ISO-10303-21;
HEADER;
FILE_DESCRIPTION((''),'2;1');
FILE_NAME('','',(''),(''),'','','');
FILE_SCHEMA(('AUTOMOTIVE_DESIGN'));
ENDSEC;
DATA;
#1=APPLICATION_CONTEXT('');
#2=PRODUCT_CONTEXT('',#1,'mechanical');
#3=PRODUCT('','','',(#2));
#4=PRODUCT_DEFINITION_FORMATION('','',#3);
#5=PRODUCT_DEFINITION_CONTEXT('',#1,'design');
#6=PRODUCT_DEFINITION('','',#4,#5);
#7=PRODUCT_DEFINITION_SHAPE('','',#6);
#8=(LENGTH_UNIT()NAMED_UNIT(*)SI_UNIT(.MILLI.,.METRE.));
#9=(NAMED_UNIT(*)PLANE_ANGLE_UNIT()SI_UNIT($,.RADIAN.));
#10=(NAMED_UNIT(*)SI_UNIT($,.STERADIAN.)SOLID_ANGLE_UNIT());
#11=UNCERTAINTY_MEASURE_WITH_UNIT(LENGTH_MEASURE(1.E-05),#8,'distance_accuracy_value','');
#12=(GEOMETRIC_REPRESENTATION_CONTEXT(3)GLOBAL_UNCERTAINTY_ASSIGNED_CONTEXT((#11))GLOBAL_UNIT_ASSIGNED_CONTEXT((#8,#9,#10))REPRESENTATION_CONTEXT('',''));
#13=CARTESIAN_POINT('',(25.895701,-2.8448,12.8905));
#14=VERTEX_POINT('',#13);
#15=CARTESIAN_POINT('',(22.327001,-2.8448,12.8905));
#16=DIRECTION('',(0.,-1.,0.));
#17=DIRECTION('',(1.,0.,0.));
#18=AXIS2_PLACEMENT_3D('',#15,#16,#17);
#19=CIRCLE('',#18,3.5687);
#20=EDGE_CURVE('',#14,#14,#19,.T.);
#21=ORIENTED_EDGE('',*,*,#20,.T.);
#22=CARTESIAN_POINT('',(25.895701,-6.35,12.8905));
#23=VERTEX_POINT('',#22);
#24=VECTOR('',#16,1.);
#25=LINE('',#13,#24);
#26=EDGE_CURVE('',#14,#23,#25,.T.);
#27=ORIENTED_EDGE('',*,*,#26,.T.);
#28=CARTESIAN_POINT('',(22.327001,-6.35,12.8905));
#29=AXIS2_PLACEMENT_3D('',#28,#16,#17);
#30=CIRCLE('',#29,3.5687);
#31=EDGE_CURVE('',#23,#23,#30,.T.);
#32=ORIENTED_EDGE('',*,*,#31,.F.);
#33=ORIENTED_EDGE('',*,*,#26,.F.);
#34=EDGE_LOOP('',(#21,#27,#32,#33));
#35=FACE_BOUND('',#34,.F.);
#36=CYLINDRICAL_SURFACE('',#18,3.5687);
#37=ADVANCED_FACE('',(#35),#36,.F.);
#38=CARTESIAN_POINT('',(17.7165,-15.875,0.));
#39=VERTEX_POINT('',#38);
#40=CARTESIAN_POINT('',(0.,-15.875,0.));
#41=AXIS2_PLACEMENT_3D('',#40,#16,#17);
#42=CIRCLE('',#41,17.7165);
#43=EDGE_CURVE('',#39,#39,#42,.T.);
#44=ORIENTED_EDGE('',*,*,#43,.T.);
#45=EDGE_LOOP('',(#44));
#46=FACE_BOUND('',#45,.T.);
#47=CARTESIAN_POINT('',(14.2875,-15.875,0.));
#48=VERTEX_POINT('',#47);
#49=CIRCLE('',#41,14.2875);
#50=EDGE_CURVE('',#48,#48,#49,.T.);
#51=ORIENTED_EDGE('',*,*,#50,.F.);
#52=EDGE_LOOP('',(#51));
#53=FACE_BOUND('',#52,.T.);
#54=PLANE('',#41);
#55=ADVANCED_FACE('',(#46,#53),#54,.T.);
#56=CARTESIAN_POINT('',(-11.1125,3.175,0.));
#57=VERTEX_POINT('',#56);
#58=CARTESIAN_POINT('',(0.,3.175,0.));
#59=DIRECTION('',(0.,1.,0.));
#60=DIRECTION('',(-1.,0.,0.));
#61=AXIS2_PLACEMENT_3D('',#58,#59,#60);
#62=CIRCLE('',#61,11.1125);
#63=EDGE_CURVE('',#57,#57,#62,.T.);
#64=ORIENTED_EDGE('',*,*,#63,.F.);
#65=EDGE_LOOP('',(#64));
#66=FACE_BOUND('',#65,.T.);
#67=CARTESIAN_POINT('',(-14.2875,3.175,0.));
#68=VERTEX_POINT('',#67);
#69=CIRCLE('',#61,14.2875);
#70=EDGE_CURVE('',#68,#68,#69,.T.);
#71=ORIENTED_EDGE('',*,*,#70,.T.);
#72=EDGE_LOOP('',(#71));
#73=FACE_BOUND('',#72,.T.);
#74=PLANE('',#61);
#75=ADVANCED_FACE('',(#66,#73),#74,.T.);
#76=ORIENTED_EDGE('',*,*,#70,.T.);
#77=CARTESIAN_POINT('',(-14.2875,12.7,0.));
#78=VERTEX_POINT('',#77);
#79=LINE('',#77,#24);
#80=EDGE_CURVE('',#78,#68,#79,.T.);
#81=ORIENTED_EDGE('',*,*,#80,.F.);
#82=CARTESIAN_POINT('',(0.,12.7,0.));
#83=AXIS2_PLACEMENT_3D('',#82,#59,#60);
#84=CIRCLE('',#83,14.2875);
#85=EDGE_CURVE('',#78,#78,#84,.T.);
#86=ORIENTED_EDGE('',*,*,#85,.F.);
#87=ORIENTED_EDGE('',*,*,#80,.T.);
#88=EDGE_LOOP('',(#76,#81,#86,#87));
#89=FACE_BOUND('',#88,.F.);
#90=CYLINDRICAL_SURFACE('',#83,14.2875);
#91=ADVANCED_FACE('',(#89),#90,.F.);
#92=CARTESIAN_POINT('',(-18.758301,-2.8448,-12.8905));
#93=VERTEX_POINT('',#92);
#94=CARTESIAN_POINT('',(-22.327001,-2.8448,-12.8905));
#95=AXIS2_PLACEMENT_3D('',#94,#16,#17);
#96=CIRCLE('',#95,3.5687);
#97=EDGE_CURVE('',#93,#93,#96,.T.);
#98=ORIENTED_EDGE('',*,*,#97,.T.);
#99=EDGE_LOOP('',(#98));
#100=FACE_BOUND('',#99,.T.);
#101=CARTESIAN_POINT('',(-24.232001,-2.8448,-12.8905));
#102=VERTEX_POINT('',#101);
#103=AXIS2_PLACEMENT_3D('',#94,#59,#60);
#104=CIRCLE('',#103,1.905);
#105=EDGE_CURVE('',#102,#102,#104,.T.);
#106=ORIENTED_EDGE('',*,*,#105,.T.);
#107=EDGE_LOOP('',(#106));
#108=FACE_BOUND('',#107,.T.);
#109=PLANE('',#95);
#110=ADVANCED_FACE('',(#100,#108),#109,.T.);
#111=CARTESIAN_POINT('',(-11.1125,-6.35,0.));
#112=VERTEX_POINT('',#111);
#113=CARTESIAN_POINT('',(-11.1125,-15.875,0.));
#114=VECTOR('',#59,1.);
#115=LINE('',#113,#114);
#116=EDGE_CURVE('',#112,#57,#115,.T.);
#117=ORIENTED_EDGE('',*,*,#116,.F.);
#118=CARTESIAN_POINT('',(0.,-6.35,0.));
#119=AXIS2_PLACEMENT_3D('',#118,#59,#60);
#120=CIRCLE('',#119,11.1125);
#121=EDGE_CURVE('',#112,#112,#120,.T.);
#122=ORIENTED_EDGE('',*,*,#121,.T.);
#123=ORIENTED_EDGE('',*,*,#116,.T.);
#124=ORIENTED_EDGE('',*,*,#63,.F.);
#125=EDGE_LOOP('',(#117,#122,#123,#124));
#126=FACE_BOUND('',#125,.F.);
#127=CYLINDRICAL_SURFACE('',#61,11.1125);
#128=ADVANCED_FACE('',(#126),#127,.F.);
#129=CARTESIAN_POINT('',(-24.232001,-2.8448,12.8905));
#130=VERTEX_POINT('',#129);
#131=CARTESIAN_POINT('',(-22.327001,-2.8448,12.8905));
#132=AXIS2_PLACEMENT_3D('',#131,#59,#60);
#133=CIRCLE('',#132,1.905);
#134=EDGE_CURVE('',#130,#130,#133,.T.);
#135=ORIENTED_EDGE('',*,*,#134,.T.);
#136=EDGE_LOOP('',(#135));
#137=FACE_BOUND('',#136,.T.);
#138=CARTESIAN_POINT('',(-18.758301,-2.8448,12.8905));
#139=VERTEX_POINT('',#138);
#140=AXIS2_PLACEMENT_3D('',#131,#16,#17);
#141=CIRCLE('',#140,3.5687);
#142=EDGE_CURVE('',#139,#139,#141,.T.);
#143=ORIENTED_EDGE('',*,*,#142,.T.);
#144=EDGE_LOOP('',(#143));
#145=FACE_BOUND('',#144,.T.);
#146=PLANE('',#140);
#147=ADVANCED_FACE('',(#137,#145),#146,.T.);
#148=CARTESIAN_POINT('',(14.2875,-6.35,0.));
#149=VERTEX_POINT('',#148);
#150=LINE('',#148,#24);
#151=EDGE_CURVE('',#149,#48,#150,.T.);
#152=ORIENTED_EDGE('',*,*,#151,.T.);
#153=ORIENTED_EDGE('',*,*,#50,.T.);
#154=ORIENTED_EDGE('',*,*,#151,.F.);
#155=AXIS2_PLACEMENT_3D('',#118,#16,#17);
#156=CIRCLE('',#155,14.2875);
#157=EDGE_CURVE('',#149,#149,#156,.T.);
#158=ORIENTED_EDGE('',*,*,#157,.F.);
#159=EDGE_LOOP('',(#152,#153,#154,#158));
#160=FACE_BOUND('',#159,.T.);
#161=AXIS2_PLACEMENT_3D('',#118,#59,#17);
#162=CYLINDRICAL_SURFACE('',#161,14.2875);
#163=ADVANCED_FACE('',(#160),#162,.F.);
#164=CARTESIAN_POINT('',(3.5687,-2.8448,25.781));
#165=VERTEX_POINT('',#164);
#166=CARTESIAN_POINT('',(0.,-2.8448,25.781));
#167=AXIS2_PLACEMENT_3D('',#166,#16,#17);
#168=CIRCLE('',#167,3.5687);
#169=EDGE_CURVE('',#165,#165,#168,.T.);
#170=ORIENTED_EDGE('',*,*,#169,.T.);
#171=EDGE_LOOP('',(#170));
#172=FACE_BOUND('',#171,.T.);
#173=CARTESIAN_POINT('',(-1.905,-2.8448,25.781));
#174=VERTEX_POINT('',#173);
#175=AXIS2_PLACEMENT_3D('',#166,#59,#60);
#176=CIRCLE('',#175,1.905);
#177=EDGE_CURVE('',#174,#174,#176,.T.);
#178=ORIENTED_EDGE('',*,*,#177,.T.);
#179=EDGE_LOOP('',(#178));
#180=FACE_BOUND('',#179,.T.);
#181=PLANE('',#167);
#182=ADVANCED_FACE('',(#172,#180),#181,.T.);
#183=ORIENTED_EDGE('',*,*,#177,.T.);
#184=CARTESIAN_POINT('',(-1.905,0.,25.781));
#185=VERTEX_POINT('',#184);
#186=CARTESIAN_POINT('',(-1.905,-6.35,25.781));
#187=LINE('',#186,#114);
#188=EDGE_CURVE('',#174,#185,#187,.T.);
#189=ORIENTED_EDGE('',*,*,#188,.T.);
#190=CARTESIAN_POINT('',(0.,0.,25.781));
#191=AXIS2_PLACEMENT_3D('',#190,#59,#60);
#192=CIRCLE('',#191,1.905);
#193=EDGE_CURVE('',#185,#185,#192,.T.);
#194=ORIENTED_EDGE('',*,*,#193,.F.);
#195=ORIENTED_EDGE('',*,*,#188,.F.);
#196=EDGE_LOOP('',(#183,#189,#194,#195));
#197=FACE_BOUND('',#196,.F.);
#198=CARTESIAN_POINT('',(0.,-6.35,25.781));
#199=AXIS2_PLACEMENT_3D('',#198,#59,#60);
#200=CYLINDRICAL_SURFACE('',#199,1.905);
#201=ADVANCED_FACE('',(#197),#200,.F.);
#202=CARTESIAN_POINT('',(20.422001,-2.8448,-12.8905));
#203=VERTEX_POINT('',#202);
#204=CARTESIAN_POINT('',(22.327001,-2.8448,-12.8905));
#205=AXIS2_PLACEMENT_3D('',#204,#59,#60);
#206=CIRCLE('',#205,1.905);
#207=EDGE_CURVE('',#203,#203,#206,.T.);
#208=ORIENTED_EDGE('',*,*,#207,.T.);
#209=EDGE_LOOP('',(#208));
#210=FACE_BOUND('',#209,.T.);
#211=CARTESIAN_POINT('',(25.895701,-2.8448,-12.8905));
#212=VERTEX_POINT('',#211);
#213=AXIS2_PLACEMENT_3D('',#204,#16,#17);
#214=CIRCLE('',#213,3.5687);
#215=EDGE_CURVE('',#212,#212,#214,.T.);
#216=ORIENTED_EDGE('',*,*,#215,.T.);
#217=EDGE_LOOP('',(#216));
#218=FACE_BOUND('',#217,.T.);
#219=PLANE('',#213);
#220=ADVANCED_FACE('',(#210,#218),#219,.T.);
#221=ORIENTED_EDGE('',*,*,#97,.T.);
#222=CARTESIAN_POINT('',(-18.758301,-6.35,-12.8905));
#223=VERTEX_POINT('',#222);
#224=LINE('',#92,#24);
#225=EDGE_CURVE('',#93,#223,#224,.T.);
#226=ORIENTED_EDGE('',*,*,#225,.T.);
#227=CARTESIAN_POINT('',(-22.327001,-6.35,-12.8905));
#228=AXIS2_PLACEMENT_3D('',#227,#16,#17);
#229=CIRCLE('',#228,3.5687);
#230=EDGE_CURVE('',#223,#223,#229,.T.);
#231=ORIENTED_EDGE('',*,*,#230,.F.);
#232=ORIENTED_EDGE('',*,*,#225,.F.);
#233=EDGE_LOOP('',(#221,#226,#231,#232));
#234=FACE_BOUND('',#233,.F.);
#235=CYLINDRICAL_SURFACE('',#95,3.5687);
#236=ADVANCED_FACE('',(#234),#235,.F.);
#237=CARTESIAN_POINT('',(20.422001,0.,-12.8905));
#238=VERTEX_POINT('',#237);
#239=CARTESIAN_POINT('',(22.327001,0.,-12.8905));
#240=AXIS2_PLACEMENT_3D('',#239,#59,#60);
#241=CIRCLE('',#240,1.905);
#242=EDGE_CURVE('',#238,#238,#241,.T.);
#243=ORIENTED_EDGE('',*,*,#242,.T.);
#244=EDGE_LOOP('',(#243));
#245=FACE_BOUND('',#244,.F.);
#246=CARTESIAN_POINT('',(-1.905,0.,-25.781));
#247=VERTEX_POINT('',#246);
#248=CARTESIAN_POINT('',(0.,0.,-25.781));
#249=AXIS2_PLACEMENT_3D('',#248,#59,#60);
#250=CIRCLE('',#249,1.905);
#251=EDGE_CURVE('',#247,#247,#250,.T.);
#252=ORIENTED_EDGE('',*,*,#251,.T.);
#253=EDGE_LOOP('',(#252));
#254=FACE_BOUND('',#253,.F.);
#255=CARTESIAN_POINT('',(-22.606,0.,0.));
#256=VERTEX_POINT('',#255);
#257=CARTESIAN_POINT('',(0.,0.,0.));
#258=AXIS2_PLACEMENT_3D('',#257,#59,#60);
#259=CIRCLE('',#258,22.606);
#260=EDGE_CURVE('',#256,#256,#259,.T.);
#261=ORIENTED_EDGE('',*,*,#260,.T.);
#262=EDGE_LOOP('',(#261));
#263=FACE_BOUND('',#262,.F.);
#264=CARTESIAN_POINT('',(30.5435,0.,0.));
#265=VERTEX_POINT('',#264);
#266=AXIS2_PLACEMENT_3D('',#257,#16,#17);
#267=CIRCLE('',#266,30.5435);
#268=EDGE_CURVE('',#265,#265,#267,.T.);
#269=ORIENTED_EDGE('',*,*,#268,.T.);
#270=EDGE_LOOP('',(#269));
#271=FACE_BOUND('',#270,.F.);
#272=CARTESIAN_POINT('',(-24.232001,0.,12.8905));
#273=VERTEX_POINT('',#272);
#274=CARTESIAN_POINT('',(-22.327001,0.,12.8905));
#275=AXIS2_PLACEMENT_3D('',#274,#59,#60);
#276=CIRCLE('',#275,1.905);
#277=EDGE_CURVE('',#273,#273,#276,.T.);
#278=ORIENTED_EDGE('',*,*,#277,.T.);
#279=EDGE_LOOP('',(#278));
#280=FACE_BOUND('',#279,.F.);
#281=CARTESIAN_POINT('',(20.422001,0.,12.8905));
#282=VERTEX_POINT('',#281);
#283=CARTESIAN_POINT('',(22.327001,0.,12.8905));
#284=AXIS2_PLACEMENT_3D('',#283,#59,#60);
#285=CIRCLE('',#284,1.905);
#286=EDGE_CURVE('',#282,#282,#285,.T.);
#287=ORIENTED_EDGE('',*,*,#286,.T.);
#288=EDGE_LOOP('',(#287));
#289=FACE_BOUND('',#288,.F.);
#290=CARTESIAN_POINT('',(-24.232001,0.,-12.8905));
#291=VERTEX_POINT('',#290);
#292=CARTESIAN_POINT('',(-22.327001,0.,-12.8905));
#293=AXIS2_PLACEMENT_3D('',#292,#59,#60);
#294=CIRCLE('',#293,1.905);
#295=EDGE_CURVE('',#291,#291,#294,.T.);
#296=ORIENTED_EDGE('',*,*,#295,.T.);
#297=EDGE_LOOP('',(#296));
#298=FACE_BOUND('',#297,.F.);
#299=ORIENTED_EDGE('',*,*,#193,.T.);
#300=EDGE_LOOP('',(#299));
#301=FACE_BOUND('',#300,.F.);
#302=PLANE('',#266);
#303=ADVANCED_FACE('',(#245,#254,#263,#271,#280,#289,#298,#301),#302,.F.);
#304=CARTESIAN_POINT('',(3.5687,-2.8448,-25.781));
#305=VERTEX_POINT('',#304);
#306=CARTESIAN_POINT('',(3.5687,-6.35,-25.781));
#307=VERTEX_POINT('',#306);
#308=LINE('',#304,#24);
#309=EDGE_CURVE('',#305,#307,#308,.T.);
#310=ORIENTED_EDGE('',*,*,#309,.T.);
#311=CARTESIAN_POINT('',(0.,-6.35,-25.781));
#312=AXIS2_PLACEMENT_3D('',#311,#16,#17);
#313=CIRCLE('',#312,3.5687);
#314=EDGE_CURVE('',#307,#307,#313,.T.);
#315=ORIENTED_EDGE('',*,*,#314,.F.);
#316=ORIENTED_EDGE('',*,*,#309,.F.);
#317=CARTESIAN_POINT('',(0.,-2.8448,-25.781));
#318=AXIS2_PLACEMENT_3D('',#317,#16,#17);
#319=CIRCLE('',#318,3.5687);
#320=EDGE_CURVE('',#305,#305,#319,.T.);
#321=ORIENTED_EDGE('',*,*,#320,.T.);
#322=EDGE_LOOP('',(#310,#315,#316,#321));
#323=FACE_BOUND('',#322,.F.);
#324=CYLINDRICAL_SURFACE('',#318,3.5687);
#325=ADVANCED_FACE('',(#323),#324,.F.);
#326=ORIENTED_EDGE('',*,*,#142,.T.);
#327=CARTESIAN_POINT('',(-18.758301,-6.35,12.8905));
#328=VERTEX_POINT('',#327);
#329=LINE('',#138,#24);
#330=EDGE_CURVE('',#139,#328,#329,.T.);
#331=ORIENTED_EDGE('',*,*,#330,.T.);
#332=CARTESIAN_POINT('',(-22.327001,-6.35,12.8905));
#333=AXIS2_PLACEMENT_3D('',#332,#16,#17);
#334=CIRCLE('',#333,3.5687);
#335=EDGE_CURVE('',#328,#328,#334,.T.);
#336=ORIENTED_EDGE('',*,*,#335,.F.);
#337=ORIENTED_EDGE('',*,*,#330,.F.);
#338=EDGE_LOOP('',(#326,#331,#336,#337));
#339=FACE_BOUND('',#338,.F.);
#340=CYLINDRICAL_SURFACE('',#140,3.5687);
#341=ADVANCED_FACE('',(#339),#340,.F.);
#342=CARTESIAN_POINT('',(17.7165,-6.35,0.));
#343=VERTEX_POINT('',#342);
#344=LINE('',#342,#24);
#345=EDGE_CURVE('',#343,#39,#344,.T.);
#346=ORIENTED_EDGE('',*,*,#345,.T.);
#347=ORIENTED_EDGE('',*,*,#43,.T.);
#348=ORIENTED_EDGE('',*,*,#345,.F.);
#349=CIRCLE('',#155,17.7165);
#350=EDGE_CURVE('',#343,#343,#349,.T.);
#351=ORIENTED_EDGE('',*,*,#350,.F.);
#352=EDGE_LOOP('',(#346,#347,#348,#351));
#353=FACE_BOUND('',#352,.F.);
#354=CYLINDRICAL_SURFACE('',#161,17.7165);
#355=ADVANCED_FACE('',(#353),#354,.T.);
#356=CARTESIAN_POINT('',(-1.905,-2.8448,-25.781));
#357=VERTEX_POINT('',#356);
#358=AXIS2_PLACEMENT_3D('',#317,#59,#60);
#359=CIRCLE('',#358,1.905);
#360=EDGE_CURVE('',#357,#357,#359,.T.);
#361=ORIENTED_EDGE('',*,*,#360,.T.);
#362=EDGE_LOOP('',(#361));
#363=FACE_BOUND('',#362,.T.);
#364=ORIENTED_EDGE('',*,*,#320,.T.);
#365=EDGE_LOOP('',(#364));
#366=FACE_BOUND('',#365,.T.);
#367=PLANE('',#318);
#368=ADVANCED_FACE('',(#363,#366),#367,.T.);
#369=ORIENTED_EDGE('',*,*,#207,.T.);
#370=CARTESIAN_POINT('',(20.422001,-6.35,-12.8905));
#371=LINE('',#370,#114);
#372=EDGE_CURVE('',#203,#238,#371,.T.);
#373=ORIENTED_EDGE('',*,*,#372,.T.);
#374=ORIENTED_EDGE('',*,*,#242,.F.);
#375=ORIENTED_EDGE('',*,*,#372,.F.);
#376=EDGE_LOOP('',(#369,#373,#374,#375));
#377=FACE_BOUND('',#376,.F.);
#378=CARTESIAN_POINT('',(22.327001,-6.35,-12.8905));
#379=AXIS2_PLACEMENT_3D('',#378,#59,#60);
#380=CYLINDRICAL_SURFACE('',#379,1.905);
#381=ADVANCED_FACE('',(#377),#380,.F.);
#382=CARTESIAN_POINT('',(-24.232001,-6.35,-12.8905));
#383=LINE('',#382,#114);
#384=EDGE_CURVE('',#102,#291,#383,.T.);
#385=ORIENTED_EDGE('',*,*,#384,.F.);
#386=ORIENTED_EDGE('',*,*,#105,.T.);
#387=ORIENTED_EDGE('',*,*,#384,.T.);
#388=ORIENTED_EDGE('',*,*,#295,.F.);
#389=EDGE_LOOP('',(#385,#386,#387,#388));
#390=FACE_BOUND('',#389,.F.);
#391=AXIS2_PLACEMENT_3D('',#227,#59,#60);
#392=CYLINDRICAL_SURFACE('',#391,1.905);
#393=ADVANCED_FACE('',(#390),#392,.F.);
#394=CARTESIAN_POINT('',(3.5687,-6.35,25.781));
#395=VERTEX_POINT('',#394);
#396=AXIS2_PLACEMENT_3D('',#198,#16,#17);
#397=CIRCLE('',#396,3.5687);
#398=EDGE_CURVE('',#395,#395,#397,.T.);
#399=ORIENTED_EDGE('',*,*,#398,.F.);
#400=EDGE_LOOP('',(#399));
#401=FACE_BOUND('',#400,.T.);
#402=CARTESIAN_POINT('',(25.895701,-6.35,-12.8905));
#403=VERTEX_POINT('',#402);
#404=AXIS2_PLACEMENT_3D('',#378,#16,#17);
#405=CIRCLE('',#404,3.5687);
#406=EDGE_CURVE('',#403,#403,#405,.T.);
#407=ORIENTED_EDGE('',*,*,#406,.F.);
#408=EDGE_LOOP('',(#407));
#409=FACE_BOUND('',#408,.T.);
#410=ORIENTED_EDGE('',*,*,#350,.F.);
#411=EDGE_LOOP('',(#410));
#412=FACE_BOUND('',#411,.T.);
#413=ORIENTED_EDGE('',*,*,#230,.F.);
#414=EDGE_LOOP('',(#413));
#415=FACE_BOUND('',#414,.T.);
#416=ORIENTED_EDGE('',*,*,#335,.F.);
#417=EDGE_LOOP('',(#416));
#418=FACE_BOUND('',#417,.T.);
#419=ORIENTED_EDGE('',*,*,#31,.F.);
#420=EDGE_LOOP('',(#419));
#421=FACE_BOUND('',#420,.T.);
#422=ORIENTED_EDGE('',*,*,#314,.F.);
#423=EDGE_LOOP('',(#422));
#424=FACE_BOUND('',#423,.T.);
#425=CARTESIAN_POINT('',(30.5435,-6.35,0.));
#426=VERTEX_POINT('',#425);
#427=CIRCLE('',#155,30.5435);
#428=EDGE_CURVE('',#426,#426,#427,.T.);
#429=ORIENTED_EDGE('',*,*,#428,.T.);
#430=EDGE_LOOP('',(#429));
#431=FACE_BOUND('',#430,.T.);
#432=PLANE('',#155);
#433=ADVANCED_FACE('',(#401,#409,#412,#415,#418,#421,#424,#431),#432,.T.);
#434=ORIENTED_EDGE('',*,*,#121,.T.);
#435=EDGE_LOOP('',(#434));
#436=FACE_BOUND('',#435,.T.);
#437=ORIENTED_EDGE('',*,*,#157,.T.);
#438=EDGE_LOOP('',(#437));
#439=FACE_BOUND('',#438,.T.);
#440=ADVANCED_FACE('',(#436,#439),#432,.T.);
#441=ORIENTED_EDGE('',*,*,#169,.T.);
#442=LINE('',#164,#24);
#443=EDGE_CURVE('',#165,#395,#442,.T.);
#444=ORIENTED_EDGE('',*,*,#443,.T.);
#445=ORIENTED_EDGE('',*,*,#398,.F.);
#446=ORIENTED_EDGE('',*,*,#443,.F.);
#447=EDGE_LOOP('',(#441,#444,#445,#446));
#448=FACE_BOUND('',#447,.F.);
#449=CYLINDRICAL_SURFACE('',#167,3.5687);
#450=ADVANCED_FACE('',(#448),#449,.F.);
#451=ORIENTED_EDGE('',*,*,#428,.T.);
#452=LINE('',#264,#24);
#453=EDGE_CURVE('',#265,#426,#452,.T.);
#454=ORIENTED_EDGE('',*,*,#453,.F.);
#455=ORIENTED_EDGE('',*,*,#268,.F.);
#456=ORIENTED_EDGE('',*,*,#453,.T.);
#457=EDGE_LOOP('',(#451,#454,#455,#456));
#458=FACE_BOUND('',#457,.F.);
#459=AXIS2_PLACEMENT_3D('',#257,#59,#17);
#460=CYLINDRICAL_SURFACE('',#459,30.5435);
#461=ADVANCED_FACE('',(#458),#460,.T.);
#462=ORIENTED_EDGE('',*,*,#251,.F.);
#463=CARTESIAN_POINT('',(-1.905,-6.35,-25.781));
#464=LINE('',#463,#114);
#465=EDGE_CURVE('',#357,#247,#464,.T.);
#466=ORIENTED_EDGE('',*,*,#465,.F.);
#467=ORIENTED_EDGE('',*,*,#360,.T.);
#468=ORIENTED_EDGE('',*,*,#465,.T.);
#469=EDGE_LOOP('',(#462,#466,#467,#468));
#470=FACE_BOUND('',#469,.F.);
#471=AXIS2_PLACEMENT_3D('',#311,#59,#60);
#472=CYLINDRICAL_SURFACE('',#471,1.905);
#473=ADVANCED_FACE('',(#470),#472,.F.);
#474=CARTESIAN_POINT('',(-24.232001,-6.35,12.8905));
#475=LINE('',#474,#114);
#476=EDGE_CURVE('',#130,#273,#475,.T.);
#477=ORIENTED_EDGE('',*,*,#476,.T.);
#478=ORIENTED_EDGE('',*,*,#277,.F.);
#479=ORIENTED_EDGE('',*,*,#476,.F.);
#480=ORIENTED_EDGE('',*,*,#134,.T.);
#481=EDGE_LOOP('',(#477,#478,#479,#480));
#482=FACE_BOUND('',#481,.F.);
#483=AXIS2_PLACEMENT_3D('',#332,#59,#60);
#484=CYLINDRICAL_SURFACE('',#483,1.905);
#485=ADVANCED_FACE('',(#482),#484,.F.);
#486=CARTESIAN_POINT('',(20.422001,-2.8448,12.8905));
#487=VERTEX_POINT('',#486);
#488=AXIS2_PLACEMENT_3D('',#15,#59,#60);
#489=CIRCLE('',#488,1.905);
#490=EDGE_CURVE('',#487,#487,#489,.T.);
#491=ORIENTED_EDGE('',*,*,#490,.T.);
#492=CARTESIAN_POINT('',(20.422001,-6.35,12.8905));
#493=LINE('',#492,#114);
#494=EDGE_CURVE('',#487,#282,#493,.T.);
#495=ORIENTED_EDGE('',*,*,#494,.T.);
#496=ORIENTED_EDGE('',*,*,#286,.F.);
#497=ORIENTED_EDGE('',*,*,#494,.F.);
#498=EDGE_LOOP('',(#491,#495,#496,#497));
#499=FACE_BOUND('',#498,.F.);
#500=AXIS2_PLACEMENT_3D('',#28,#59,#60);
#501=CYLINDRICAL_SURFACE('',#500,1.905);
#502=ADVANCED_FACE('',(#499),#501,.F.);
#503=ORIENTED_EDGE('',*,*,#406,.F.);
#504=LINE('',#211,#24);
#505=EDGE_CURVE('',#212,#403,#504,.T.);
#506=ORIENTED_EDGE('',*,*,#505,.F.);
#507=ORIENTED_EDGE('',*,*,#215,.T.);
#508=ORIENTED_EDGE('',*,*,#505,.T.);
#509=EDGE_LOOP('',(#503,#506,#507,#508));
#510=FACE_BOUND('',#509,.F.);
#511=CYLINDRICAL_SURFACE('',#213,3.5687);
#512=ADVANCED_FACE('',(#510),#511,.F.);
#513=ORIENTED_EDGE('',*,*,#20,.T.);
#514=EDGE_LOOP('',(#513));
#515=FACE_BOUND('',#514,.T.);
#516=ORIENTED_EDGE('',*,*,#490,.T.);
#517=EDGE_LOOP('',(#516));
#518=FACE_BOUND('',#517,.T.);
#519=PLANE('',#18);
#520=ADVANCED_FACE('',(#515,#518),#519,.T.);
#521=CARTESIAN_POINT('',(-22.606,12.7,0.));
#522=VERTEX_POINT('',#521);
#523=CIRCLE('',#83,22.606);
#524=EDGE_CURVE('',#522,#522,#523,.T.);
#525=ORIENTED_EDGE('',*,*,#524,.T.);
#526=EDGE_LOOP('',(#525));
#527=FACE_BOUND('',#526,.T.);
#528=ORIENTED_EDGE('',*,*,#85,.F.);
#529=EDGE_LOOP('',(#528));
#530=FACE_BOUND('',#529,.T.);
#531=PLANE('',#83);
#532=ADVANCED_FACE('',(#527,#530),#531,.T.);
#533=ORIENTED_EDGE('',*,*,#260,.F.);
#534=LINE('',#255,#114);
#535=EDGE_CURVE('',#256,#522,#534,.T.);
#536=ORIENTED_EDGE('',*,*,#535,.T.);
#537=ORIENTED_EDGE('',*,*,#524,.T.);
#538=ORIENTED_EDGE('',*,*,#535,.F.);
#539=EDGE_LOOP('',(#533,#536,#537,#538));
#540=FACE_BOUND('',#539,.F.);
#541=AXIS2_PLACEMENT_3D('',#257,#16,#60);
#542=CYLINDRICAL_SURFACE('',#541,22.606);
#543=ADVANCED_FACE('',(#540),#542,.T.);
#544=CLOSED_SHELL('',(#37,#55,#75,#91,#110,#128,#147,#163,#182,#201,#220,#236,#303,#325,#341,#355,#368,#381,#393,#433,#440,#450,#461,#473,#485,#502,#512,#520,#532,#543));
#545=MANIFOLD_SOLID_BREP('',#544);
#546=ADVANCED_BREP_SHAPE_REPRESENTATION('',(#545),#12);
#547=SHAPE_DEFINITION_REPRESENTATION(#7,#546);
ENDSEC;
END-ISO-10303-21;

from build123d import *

# Parameters (mm, degrees)
F0_R            = 30.5435
F1_DEPTH        = 6.35
F2_R            = 17.7165
F2_R_2          = 14.2875
F3_DEPTH        = 9.525
F4_R            = 22.606
F5_DEPTH        = 12.7
F6_R            = 14.2875
F7_DEPTH        = 9.525
F8_R            = 11.1125
F9_DEPTH        = 19.05
F11_D           = 3.81
F11_CBORE_D     = 7.1374
F11_CBORE_DEPTH = 3.5052


with BuildPart() as f1:
    # F0 (on Front) → F1 (new body)
    with BuildSketch(Plane.XZ):
        Circle(F0_R)
    extrude(amount=F1_DEPTH)

    # F2 (on face) → F3 (join)
    with BuildSketch(Plane.XZ.offset(6.35)):
        Circle(F2_R)
        Circle(F2_R_2, mode=Mode.SUBTRACT)
    extrude(amount=F3_DEPTH)

    # F4 (on face) → F5 (join)
    with BuildSketch(Plane(origin=(0, 0, 0), x_dir=(-1, 0, 0), z_dir=(0, 1, 0))):
        Circle(F4_R)
    extrude(amount=F5_DEPTH)

    # F6 (on face) → F7 (cut)
    with BuildSketch(Plane(origin=(0, 12.7, 0), x_dir=(-1, 0, 0), z_dir=(0, 1, 0))):
        Circle(F6_R)
    extrude(amount=-F7_DEPTH, mode=Mode.SUBTRACT)

    # F8 (on face) → F9 (cut, symmetric)
    with BuildSketch(Plane(origin=(0, 3.175, 0), x_dir=(-1, 0, 0), z_dir=(0, 1, 0))):
        Circle(F8_R)
    extrude(amount=F9_DEPTH, both=True, mode=Mode.SUBTRACT)

    # F11 (through all)
    with Locations(Plane.XZ.offset(6.35)):
        with Locations((0, 25.781), (-22.327000935, 12.8905), (-22.327000935, -12.8905), (0, -25.781), (22.327000935, -12.8905), (22.327000935, 12.8905)):
            CounterBoreHole(F11_D / 2, F11_CBORE_D / 2, F11_CBORE_DEPTH)


solid = f1.part
